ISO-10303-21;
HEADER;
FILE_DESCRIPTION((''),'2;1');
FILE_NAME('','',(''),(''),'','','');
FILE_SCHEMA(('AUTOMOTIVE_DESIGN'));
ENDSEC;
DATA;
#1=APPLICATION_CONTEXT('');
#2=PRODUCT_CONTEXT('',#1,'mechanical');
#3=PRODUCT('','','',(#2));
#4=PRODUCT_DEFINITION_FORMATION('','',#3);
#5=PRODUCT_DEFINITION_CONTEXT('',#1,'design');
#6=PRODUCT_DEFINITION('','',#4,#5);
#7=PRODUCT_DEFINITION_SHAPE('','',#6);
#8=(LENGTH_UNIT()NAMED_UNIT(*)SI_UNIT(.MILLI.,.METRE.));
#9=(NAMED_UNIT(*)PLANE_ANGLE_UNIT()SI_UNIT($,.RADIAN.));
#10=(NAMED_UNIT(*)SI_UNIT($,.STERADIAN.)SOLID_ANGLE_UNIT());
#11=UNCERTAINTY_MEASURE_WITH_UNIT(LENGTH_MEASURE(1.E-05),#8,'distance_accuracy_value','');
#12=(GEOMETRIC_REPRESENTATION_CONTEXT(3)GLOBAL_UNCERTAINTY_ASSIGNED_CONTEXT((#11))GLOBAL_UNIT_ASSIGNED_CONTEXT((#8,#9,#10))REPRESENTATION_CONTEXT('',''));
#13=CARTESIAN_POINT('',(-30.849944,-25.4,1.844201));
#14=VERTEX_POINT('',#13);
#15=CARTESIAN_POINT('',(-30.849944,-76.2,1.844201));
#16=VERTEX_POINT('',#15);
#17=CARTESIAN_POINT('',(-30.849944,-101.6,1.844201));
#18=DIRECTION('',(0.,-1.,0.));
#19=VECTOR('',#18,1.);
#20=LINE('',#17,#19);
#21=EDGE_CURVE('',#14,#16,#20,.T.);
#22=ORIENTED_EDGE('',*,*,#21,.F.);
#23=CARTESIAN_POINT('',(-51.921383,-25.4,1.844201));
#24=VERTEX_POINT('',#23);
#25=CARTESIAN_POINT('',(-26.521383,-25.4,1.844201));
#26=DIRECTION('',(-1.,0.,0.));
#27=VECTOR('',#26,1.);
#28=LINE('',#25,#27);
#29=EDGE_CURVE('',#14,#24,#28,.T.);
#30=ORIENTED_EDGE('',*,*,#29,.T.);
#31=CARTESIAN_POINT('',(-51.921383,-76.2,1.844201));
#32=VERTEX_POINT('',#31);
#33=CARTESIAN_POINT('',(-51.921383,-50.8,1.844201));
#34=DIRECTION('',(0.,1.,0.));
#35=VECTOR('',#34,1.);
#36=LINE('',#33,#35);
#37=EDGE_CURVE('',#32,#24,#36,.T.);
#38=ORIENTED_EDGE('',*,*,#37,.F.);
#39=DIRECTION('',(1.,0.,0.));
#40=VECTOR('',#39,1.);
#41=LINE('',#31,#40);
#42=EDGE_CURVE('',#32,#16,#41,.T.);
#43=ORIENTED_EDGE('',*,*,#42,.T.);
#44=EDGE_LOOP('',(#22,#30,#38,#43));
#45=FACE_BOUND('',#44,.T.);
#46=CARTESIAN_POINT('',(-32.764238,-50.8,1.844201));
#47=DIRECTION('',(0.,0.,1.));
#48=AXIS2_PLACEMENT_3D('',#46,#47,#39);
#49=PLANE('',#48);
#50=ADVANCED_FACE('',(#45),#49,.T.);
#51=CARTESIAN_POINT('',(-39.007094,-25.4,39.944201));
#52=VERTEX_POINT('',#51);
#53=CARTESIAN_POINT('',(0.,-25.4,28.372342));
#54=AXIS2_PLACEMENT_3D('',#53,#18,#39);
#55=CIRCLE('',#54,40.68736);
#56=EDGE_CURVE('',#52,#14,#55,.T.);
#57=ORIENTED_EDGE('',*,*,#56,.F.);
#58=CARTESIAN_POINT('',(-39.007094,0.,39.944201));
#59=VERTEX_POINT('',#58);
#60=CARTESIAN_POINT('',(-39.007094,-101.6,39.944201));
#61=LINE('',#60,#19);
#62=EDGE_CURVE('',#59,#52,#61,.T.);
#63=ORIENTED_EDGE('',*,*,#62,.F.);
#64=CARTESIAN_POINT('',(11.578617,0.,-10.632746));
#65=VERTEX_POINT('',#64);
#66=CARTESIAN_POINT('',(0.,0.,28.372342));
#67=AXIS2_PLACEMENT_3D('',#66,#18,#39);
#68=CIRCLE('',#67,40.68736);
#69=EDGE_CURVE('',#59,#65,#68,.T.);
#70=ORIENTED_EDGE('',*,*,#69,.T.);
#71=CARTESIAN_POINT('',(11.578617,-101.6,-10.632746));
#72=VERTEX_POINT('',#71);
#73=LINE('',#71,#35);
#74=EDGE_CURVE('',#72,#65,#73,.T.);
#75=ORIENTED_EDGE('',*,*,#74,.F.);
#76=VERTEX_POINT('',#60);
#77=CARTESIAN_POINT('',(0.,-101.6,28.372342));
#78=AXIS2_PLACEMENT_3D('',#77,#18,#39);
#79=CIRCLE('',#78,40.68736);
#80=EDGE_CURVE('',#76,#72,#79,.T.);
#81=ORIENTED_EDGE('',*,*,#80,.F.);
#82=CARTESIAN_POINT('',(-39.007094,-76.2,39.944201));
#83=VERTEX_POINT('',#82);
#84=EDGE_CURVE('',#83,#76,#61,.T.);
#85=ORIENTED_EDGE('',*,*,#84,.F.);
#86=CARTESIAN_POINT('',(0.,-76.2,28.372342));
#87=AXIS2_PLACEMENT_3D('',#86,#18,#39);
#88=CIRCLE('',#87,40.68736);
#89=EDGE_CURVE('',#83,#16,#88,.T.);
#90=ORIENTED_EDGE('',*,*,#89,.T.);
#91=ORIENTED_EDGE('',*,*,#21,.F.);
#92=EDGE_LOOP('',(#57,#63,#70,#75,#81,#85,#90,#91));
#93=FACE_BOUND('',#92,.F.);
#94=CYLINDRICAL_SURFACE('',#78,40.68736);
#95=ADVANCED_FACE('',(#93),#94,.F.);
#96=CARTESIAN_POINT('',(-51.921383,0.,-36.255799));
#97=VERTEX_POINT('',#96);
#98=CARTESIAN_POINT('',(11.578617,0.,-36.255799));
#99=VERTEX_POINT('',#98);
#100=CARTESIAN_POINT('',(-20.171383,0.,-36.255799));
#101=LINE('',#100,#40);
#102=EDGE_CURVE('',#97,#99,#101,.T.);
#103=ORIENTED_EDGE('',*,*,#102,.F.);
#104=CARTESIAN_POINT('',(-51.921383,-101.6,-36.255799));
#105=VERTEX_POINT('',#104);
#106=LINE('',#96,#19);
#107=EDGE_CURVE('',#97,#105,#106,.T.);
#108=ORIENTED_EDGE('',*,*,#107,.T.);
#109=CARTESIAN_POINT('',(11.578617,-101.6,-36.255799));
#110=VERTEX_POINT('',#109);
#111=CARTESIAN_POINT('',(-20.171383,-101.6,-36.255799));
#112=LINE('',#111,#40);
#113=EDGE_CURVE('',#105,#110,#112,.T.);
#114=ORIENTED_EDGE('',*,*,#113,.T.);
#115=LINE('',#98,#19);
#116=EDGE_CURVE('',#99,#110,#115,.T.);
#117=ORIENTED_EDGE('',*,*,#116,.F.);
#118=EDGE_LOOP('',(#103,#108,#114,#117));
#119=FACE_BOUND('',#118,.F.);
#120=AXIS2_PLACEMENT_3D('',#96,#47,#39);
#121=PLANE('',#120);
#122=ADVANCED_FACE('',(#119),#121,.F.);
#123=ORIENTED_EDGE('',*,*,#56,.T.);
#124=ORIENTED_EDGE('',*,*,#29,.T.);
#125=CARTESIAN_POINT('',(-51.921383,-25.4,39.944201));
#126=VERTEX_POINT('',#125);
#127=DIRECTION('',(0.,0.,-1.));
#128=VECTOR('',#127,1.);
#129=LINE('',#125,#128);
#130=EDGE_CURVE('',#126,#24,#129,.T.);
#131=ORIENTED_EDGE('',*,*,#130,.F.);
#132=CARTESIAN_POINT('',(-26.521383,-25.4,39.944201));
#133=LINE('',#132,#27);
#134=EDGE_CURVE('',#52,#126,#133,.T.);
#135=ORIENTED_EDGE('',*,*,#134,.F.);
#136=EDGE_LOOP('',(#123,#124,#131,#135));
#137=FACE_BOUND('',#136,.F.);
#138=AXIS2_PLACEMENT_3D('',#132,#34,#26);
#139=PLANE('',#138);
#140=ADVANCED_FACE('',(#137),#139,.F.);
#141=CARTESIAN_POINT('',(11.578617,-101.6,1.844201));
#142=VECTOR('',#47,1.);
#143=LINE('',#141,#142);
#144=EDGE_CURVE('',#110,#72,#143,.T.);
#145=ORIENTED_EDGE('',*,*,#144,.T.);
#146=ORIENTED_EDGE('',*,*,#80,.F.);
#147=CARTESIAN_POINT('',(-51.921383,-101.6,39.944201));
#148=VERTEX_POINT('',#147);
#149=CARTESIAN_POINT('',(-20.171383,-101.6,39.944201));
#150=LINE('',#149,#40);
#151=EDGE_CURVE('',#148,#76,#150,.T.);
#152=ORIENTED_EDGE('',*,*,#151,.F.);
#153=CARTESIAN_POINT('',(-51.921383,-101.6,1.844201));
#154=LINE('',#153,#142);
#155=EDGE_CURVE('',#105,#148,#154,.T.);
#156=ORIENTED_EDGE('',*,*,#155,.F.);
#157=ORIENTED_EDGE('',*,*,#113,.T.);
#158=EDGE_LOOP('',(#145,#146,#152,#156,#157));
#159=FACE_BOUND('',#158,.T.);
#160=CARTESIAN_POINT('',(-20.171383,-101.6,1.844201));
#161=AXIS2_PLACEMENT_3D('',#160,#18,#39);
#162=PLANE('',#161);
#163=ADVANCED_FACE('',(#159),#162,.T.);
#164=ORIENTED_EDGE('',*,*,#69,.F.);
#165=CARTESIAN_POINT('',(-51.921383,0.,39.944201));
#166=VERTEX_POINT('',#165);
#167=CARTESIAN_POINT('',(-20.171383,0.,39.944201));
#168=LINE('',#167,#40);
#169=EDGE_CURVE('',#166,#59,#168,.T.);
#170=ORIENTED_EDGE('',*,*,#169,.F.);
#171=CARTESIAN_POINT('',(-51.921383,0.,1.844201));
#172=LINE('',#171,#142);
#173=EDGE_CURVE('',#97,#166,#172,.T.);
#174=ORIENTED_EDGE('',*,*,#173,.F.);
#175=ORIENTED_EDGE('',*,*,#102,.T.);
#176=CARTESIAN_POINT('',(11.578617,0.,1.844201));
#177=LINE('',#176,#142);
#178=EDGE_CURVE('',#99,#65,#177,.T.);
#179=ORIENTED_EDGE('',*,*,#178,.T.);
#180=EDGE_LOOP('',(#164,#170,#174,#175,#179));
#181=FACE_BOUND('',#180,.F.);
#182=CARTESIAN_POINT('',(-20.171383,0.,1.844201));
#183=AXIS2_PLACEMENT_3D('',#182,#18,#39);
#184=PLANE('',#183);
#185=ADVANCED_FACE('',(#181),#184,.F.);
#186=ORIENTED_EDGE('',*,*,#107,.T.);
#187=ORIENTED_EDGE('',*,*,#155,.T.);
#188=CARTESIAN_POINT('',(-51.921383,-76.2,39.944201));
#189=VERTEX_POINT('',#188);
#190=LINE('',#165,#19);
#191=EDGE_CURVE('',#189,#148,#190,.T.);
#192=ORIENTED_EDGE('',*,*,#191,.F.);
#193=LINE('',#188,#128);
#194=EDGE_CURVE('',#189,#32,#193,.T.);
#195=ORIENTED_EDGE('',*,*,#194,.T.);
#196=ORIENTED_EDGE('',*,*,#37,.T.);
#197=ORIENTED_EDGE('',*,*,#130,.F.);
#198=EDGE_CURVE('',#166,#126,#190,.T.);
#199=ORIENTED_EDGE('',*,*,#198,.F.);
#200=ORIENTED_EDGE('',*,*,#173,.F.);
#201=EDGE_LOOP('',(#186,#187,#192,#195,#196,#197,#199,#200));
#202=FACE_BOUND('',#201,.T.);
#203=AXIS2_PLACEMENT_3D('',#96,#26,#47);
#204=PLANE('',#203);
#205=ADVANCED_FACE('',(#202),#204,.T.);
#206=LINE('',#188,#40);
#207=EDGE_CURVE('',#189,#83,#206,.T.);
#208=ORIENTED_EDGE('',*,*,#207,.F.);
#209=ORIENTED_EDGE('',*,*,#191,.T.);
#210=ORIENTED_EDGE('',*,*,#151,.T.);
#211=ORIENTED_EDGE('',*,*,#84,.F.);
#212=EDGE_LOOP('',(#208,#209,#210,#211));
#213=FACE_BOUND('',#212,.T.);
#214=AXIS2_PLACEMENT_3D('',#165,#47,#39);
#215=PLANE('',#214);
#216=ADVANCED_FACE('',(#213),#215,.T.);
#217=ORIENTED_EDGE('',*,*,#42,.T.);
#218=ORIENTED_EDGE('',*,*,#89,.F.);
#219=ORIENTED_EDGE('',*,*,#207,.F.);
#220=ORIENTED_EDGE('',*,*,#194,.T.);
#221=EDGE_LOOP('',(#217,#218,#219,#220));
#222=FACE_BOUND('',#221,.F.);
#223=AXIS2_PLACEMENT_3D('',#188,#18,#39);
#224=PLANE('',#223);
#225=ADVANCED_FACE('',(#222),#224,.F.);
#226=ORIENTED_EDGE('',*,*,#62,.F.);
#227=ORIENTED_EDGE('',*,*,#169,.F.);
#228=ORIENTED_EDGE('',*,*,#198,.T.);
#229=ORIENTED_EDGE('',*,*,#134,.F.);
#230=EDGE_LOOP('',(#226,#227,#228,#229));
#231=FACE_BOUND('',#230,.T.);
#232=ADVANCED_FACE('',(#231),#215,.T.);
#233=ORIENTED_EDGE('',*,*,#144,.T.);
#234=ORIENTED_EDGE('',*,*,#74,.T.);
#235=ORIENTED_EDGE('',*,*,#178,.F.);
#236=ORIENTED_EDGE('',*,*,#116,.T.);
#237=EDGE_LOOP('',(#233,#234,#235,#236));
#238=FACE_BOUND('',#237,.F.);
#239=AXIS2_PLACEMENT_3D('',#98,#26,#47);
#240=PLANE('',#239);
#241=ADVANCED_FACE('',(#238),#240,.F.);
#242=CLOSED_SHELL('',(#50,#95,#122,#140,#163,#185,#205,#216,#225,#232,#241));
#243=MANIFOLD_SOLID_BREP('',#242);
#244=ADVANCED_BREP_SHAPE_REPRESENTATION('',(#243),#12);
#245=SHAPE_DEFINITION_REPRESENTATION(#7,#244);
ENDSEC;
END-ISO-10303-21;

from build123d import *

# Parameters (mm, degrees)
F0_W     = 63.5
F0_H     = 76.2
F1_DEPTH = 101.6
F3_DEPTH = 144.018
F4_W     = 12.4857110355
F4_H     = 50.8
F4_W_2   = 12.9142889645
F5_DEPTH = 38.1


with BuildPart() as f1:
    # F0 (on Front) → F1 (new body)
    with BuildSketch(Plane.XZ):
        with Locations((-20.1713825464, 1.844201237)):
            Rectangle(F0_W, F0_H)
    extrude(amount=F1_DEPTH)

    # F2 (on face) → F3 (cut)
    with BuildSketch(Plane.XZ.offset(101.6)):
        with BuildLine():
            ThreePointArc((11.5786174536, -10.632746352), (32.6080102155, 4.0376145015), (40.6873602154, 28.372341767))
            ThreePointArc((40.6873602154, 28.372341767), (5.8466064421, 68.6374442058), (-39.0070935819, 39.944201237))
            Line((-39.0070935819, 39.944201237), (11.5786174536, 39.944201237))
            Line((11.5786174536, 39.944201237), (11.5786174536, -10.632746352))
        make_face()
        with BuildLine():
            Line((11.5786174536, 39.944201237), (-39.0070935819, 39.944201237))
            ThreePointArc((-39.0070935819, 39.944201237), (-28.7678159153, -0.4004587357), (11.5786174536, -10.632746352))
            Line((11.5786174536, -10.632746352), (11.5786174536, 39.944201237))
        make_face()
    extrude(amount=-F3_DEPTH, mode=Mode.SUBTRACT)

    # F4 (on face) → F5 (cut)
    with BuildSketch(Plane.XY.offset(39.944201237)):
        with Locations((-32.7642380642, -50.8)):
            Rectangle(F4_W, F4_H)
        with Locations((-45.4642380642, -50.8)):
            Rectangle(F4_W_2, F4_H)
    extrude(amount=-F5_DEPTH, mode=Mode.SUBTRACT)


solid = f1.part
